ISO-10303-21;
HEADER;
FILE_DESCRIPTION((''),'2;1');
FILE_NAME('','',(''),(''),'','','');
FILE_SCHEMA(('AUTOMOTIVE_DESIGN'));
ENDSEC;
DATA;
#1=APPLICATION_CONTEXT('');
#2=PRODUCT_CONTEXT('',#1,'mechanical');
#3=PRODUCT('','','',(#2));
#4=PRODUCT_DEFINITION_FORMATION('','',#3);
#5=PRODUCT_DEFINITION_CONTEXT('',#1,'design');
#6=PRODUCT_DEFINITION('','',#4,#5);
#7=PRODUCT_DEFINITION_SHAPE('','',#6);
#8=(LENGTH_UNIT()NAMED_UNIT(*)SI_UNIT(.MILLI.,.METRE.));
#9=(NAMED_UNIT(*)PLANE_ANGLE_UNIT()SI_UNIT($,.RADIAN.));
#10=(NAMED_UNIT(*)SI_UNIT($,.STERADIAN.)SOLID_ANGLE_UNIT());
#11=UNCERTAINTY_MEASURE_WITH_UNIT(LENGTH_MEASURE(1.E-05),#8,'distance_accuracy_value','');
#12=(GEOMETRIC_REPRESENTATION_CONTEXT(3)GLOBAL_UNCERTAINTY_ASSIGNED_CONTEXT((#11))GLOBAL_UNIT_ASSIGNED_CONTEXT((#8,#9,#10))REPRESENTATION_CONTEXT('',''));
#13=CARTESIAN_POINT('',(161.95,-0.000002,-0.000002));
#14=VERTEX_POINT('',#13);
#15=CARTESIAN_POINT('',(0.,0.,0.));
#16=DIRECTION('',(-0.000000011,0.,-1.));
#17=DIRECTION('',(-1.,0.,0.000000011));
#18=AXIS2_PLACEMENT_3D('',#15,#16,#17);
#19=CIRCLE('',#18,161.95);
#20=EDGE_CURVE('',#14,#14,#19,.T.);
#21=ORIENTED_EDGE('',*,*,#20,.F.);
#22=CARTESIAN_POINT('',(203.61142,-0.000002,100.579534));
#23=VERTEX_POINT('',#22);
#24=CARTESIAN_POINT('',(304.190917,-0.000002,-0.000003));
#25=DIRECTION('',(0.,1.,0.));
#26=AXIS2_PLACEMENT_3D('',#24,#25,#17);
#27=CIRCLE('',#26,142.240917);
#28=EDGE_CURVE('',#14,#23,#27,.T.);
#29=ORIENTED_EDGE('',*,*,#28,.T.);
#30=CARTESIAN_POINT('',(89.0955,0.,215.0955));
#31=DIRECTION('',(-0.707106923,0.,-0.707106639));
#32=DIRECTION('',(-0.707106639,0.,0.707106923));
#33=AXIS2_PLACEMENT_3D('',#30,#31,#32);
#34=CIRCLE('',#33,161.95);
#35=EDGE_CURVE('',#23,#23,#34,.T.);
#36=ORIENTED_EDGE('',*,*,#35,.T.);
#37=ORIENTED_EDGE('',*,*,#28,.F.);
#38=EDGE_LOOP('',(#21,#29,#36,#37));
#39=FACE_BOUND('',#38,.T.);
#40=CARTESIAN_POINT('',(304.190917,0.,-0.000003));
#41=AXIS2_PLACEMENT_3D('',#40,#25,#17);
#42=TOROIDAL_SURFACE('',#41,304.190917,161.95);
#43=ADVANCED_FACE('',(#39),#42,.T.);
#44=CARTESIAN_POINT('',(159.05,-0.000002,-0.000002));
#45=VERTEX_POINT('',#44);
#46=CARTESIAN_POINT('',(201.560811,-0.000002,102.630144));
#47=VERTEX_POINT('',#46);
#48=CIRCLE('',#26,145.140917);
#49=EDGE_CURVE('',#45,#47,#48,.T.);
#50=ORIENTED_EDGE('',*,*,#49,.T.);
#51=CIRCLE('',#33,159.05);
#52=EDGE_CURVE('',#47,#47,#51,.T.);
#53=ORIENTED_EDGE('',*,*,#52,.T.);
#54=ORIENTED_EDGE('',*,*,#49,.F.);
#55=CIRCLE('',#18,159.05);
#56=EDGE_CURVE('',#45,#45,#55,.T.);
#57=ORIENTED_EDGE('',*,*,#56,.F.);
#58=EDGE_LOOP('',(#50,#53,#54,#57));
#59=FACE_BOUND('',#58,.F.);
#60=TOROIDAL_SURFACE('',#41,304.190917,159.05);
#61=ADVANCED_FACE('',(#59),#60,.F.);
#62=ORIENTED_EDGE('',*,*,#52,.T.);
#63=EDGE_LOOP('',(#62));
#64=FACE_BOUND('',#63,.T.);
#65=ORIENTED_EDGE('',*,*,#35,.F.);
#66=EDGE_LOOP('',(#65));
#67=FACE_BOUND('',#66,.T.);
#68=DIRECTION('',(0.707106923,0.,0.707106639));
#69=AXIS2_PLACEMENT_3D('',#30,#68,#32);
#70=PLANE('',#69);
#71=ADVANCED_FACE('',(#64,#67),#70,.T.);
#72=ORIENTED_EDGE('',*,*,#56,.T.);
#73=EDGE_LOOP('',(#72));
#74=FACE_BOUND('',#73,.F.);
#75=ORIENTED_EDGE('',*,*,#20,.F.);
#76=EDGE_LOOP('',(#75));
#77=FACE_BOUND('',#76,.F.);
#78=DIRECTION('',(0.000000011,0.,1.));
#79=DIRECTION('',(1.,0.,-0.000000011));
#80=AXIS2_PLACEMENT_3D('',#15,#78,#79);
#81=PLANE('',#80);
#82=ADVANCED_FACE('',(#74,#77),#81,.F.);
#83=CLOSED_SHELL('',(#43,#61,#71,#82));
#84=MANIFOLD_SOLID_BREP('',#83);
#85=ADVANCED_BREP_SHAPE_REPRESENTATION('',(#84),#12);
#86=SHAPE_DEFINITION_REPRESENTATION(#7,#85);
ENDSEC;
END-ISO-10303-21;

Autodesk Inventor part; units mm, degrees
ref_plane "YZ Plane" through (0, 0, 0) normal (1, 0, 0) x (0, 1, 0)
ref_plane "XZ Plane" through (0, 0, 0) normal (0, 1, 0) x (-1, 0, 0)
ref_plane "XY Plane" through (0, 0, 0) normal (0, 0, 1) x (1, 0, 0)
sketch "Sketch1" plane through (0, 0, 0) normal (0, 0, 1) x (1, 0, 0)
  circle A0 centre (0, 0) radius 159.05
  circle A1 centre (0, 0) radius 161.95
  dimension "d0" = 318.1
  dimension "d1" = 323.9
sketch "Sketch2" plane through (0, 0, 0) normal (0, 1, 0) x (-1, 0, 0)
  line L0 (0, 0) -> (0, 126) construction
  line L1 (0, 126) -> (-89.0955, 215.0955) construction
  arc A0 (0, 0) -> (-89.0955, 215.0955) centre (-304.1909, 0) ccw
  dimension "d2" = 126
  dimension "d3" = 45
  dimension "d4" = 126
sweep "Sweep1" add profiles "Sketch1" path "Sketch2"
equation "\"d0\" = -2 * s1 + da"
equation "\"d1\" = da"
equation "\"d2\" = e"
equation "\"d4\" = e"
equation "\"da\" = 323.9"
equation "\"e\" = 126"
equation "\"s1\" = 2.9"
equation "\"Size_Designation\" = 1.2345"
properties part number "DIN 2605 Изгиб 45 градусов, тип 2 323.9 - 2.9S" material "Сталь"
